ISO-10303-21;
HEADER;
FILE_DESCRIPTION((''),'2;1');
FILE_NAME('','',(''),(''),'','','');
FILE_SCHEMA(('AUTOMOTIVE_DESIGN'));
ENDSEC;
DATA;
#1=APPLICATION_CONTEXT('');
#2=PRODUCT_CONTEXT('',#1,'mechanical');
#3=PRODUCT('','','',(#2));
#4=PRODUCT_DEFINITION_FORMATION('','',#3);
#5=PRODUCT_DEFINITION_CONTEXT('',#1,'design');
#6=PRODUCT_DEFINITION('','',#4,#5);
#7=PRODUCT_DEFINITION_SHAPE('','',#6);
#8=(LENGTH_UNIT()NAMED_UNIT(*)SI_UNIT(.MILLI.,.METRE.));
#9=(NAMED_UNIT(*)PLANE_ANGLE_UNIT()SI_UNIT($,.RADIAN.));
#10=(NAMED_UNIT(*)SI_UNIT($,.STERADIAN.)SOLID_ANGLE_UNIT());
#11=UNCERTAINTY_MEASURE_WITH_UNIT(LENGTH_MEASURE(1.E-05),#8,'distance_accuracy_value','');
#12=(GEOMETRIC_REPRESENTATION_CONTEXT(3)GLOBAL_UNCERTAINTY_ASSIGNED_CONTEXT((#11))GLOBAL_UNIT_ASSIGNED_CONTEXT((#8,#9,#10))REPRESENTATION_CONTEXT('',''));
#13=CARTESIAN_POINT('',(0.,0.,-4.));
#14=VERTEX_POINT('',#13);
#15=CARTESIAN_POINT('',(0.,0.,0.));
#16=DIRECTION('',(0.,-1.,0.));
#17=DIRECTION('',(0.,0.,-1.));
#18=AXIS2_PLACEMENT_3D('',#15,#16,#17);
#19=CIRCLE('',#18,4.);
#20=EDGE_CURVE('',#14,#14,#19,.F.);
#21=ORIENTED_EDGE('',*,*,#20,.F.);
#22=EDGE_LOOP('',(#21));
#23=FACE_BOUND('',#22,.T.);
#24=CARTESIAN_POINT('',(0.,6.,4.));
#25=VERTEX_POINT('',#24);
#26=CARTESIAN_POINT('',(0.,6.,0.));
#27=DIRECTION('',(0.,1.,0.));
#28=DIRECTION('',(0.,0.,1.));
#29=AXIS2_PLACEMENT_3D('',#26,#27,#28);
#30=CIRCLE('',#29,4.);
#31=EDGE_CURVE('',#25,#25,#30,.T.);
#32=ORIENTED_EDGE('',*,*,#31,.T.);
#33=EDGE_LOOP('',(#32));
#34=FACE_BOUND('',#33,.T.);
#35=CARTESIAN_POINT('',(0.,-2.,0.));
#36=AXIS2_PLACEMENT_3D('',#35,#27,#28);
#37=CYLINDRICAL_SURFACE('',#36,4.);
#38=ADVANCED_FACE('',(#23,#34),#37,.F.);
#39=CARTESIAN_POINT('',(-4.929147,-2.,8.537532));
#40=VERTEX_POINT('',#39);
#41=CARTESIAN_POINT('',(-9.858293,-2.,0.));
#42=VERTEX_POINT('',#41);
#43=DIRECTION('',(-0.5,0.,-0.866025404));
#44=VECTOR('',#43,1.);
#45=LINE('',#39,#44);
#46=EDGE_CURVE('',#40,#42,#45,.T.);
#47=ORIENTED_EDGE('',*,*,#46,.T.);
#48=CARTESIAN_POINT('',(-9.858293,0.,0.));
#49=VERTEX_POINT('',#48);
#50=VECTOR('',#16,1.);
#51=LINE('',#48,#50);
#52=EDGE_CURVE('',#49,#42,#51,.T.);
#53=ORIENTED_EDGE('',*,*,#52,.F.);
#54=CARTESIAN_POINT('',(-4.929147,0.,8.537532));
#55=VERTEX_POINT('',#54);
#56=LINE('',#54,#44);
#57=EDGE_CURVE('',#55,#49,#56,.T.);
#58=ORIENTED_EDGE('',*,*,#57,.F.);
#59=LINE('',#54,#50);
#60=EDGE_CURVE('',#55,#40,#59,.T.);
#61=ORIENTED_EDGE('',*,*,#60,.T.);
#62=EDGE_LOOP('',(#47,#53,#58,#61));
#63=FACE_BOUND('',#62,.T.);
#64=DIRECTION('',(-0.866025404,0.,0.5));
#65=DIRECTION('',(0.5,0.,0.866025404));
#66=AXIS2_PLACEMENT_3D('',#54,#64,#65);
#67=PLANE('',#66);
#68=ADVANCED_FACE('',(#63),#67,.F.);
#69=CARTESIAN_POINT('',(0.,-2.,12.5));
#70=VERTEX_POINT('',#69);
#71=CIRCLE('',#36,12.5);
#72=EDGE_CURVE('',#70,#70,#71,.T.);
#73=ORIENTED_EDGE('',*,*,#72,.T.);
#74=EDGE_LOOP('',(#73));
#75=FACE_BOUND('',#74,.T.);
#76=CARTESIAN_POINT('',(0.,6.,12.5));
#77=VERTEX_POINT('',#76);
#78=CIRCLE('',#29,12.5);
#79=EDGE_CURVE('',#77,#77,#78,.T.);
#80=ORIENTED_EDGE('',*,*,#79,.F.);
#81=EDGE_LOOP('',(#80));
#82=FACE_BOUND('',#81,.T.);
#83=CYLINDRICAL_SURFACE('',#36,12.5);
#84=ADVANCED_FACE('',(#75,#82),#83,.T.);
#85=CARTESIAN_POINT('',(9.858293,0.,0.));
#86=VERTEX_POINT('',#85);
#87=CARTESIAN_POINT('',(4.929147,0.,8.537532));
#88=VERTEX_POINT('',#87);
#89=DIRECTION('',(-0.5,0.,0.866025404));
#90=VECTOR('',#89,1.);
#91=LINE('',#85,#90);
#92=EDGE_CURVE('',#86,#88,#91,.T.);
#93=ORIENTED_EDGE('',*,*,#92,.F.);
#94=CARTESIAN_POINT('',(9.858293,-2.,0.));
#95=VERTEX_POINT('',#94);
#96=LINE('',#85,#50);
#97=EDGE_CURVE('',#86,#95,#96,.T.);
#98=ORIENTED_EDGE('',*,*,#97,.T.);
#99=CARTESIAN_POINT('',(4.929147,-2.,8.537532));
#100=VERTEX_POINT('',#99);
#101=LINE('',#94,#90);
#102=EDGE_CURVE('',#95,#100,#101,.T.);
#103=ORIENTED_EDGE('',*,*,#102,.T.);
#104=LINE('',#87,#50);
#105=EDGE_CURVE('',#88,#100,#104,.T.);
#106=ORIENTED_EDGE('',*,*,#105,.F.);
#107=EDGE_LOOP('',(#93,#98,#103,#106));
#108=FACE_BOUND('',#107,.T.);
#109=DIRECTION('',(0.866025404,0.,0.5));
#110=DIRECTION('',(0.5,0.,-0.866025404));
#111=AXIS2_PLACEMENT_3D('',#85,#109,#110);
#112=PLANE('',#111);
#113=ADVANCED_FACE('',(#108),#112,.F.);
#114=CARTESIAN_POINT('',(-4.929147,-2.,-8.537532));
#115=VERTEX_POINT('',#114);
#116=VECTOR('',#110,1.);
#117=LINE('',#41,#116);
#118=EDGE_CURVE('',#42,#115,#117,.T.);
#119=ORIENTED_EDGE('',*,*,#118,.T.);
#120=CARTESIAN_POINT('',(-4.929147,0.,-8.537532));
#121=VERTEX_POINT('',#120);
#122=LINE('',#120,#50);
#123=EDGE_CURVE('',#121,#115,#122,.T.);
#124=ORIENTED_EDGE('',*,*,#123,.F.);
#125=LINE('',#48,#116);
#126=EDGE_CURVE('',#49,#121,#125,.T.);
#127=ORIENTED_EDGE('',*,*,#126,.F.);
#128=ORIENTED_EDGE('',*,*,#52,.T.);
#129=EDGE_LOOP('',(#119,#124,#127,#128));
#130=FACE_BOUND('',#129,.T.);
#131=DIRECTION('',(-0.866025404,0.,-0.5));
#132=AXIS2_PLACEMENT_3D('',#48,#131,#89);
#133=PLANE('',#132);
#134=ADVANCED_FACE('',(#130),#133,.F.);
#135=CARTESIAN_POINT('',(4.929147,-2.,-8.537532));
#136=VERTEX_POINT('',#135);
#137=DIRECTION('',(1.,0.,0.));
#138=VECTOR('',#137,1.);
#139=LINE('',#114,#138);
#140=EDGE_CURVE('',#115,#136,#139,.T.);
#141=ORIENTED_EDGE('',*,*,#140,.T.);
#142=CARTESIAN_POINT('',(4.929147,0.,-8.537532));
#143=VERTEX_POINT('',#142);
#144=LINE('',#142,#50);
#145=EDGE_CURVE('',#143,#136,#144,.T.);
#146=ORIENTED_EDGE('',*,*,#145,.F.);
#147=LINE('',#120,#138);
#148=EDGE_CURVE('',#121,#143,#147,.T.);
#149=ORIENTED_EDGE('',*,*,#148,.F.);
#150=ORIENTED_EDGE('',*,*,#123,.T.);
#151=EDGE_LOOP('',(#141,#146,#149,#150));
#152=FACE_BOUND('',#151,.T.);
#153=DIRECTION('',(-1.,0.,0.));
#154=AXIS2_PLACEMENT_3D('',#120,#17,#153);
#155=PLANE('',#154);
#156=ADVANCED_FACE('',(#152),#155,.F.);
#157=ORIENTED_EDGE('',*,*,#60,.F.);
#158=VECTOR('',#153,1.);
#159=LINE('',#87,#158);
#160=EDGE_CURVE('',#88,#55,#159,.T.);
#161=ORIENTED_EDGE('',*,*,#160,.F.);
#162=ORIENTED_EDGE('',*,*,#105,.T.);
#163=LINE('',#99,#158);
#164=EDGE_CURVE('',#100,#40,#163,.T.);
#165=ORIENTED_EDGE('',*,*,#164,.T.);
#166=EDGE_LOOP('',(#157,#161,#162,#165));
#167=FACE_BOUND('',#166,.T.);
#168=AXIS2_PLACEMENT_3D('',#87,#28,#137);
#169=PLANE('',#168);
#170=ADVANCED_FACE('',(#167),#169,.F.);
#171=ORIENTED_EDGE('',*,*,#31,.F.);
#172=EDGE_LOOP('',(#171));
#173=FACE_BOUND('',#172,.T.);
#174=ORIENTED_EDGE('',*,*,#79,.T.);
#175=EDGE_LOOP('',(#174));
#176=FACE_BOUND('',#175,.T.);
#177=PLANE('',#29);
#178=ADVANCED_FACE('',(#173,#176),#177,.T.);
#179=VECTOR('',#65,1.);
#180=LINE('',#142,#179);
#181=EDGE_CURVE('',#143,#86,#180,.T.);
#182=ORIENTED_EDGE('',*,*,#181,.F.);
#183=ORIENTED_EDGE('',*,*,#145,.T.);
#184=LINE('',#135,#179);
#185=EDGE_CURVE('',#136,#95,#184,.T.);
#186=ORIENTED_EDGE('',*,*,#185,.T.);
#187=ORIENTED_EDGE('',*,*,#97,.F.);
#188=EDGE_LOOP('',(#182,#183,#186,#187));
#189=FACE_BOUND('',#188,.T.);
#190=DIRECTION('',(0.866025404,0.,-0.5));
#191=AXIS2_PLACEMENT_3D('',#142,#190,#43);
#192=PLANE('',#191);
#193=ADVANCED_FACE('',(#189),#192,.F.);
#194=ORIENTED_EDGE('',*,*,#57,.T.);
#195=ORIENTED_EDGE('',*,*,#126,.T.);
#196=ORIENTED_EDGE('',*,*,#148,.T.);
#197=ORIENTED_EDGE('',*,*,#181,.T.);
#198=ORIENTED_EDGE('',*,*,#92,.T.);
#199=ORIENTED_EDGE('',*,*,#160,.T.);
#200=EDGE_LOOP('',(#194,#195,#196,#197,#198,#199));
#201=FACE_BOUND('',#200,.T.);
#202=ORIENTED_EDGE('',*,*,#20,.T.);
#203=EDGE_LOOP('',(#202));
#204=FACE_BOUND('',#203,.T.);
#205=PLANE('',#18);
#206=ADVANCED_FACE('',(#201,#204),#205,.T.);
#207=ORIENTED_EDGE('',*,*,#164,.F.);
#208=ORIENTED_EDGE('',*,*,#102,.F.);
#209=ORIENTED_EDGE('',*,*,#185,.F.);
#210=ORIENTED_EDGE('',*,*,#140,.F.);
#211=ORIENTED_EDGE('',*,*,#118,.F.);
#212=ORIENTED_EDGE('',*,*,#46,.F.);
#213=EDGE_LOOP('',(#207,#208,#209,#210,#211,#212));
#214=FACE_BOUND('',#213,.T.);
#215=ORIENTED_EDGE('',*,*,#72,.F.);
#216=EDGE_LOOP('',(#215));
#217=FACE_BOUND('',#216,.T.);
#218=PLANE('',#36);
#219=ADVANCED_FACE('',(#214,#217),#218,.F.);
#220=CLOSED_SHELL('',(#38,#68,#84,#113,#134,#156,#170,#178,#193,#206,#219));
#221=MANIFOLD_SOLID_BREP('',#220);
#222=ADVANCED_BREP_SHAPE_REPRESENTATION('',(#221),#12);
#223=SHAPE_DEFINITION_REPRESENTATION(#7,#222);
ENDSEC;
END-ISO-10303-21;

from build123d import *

# Parameters (mm, degrees)
BOSS_EXTRUDE1_DEPTH      = 6
BOSS_EXTRUDE1_DEPTH_BACK = 2
SKETCH1_R                = 12.5
SKETCH1_R_2              = 4
CUT_EXTRUDE1_DEPTH       = 2


with BuildPart() as part:
    # Sketch1 → Boss-Extrude1 (new, two sides: drawn at the far end of the back side and taken through both)
    with BuildSketch(Plane(origin=(0, 0, 0), x_dir=(1, 0, 0), z_dir=(0, 1, 0)).offset(-BOSS_EXTRUDE1_DEPTH_BACK)):
        with Locations(Location((0, 0, 0), (0, 0, 270))):
            Circle(SKETCH1_R)
        with Locations(Location((0, 0, 0), (0, 0, 270))):
            Circle(SKETCH1_R_2, mode=Mode.SUBTRACT)
    extrude(amount=BOSS_EXTRUDE1_DEPTH + BOSS_EXTRUDE1_DEPTH_BACK)

    # Sketch2 → Cut-Extrude1 (cut)
    with BuildSketch(Plane.XZ.offset(2)):
        Polygon((9.85829335, 0), (4.929146675, 8.537532479), (-4.929146675, 8.537532479), (-9.85829335, 0), (-4.929146675, -8.537532479), (4.929146675, -8.537532479), align=None)
    extrude(amount=-CUT_EXTRUDE1_DEPTH, mode=Mode.SUBTRACT)


solid = part.part
